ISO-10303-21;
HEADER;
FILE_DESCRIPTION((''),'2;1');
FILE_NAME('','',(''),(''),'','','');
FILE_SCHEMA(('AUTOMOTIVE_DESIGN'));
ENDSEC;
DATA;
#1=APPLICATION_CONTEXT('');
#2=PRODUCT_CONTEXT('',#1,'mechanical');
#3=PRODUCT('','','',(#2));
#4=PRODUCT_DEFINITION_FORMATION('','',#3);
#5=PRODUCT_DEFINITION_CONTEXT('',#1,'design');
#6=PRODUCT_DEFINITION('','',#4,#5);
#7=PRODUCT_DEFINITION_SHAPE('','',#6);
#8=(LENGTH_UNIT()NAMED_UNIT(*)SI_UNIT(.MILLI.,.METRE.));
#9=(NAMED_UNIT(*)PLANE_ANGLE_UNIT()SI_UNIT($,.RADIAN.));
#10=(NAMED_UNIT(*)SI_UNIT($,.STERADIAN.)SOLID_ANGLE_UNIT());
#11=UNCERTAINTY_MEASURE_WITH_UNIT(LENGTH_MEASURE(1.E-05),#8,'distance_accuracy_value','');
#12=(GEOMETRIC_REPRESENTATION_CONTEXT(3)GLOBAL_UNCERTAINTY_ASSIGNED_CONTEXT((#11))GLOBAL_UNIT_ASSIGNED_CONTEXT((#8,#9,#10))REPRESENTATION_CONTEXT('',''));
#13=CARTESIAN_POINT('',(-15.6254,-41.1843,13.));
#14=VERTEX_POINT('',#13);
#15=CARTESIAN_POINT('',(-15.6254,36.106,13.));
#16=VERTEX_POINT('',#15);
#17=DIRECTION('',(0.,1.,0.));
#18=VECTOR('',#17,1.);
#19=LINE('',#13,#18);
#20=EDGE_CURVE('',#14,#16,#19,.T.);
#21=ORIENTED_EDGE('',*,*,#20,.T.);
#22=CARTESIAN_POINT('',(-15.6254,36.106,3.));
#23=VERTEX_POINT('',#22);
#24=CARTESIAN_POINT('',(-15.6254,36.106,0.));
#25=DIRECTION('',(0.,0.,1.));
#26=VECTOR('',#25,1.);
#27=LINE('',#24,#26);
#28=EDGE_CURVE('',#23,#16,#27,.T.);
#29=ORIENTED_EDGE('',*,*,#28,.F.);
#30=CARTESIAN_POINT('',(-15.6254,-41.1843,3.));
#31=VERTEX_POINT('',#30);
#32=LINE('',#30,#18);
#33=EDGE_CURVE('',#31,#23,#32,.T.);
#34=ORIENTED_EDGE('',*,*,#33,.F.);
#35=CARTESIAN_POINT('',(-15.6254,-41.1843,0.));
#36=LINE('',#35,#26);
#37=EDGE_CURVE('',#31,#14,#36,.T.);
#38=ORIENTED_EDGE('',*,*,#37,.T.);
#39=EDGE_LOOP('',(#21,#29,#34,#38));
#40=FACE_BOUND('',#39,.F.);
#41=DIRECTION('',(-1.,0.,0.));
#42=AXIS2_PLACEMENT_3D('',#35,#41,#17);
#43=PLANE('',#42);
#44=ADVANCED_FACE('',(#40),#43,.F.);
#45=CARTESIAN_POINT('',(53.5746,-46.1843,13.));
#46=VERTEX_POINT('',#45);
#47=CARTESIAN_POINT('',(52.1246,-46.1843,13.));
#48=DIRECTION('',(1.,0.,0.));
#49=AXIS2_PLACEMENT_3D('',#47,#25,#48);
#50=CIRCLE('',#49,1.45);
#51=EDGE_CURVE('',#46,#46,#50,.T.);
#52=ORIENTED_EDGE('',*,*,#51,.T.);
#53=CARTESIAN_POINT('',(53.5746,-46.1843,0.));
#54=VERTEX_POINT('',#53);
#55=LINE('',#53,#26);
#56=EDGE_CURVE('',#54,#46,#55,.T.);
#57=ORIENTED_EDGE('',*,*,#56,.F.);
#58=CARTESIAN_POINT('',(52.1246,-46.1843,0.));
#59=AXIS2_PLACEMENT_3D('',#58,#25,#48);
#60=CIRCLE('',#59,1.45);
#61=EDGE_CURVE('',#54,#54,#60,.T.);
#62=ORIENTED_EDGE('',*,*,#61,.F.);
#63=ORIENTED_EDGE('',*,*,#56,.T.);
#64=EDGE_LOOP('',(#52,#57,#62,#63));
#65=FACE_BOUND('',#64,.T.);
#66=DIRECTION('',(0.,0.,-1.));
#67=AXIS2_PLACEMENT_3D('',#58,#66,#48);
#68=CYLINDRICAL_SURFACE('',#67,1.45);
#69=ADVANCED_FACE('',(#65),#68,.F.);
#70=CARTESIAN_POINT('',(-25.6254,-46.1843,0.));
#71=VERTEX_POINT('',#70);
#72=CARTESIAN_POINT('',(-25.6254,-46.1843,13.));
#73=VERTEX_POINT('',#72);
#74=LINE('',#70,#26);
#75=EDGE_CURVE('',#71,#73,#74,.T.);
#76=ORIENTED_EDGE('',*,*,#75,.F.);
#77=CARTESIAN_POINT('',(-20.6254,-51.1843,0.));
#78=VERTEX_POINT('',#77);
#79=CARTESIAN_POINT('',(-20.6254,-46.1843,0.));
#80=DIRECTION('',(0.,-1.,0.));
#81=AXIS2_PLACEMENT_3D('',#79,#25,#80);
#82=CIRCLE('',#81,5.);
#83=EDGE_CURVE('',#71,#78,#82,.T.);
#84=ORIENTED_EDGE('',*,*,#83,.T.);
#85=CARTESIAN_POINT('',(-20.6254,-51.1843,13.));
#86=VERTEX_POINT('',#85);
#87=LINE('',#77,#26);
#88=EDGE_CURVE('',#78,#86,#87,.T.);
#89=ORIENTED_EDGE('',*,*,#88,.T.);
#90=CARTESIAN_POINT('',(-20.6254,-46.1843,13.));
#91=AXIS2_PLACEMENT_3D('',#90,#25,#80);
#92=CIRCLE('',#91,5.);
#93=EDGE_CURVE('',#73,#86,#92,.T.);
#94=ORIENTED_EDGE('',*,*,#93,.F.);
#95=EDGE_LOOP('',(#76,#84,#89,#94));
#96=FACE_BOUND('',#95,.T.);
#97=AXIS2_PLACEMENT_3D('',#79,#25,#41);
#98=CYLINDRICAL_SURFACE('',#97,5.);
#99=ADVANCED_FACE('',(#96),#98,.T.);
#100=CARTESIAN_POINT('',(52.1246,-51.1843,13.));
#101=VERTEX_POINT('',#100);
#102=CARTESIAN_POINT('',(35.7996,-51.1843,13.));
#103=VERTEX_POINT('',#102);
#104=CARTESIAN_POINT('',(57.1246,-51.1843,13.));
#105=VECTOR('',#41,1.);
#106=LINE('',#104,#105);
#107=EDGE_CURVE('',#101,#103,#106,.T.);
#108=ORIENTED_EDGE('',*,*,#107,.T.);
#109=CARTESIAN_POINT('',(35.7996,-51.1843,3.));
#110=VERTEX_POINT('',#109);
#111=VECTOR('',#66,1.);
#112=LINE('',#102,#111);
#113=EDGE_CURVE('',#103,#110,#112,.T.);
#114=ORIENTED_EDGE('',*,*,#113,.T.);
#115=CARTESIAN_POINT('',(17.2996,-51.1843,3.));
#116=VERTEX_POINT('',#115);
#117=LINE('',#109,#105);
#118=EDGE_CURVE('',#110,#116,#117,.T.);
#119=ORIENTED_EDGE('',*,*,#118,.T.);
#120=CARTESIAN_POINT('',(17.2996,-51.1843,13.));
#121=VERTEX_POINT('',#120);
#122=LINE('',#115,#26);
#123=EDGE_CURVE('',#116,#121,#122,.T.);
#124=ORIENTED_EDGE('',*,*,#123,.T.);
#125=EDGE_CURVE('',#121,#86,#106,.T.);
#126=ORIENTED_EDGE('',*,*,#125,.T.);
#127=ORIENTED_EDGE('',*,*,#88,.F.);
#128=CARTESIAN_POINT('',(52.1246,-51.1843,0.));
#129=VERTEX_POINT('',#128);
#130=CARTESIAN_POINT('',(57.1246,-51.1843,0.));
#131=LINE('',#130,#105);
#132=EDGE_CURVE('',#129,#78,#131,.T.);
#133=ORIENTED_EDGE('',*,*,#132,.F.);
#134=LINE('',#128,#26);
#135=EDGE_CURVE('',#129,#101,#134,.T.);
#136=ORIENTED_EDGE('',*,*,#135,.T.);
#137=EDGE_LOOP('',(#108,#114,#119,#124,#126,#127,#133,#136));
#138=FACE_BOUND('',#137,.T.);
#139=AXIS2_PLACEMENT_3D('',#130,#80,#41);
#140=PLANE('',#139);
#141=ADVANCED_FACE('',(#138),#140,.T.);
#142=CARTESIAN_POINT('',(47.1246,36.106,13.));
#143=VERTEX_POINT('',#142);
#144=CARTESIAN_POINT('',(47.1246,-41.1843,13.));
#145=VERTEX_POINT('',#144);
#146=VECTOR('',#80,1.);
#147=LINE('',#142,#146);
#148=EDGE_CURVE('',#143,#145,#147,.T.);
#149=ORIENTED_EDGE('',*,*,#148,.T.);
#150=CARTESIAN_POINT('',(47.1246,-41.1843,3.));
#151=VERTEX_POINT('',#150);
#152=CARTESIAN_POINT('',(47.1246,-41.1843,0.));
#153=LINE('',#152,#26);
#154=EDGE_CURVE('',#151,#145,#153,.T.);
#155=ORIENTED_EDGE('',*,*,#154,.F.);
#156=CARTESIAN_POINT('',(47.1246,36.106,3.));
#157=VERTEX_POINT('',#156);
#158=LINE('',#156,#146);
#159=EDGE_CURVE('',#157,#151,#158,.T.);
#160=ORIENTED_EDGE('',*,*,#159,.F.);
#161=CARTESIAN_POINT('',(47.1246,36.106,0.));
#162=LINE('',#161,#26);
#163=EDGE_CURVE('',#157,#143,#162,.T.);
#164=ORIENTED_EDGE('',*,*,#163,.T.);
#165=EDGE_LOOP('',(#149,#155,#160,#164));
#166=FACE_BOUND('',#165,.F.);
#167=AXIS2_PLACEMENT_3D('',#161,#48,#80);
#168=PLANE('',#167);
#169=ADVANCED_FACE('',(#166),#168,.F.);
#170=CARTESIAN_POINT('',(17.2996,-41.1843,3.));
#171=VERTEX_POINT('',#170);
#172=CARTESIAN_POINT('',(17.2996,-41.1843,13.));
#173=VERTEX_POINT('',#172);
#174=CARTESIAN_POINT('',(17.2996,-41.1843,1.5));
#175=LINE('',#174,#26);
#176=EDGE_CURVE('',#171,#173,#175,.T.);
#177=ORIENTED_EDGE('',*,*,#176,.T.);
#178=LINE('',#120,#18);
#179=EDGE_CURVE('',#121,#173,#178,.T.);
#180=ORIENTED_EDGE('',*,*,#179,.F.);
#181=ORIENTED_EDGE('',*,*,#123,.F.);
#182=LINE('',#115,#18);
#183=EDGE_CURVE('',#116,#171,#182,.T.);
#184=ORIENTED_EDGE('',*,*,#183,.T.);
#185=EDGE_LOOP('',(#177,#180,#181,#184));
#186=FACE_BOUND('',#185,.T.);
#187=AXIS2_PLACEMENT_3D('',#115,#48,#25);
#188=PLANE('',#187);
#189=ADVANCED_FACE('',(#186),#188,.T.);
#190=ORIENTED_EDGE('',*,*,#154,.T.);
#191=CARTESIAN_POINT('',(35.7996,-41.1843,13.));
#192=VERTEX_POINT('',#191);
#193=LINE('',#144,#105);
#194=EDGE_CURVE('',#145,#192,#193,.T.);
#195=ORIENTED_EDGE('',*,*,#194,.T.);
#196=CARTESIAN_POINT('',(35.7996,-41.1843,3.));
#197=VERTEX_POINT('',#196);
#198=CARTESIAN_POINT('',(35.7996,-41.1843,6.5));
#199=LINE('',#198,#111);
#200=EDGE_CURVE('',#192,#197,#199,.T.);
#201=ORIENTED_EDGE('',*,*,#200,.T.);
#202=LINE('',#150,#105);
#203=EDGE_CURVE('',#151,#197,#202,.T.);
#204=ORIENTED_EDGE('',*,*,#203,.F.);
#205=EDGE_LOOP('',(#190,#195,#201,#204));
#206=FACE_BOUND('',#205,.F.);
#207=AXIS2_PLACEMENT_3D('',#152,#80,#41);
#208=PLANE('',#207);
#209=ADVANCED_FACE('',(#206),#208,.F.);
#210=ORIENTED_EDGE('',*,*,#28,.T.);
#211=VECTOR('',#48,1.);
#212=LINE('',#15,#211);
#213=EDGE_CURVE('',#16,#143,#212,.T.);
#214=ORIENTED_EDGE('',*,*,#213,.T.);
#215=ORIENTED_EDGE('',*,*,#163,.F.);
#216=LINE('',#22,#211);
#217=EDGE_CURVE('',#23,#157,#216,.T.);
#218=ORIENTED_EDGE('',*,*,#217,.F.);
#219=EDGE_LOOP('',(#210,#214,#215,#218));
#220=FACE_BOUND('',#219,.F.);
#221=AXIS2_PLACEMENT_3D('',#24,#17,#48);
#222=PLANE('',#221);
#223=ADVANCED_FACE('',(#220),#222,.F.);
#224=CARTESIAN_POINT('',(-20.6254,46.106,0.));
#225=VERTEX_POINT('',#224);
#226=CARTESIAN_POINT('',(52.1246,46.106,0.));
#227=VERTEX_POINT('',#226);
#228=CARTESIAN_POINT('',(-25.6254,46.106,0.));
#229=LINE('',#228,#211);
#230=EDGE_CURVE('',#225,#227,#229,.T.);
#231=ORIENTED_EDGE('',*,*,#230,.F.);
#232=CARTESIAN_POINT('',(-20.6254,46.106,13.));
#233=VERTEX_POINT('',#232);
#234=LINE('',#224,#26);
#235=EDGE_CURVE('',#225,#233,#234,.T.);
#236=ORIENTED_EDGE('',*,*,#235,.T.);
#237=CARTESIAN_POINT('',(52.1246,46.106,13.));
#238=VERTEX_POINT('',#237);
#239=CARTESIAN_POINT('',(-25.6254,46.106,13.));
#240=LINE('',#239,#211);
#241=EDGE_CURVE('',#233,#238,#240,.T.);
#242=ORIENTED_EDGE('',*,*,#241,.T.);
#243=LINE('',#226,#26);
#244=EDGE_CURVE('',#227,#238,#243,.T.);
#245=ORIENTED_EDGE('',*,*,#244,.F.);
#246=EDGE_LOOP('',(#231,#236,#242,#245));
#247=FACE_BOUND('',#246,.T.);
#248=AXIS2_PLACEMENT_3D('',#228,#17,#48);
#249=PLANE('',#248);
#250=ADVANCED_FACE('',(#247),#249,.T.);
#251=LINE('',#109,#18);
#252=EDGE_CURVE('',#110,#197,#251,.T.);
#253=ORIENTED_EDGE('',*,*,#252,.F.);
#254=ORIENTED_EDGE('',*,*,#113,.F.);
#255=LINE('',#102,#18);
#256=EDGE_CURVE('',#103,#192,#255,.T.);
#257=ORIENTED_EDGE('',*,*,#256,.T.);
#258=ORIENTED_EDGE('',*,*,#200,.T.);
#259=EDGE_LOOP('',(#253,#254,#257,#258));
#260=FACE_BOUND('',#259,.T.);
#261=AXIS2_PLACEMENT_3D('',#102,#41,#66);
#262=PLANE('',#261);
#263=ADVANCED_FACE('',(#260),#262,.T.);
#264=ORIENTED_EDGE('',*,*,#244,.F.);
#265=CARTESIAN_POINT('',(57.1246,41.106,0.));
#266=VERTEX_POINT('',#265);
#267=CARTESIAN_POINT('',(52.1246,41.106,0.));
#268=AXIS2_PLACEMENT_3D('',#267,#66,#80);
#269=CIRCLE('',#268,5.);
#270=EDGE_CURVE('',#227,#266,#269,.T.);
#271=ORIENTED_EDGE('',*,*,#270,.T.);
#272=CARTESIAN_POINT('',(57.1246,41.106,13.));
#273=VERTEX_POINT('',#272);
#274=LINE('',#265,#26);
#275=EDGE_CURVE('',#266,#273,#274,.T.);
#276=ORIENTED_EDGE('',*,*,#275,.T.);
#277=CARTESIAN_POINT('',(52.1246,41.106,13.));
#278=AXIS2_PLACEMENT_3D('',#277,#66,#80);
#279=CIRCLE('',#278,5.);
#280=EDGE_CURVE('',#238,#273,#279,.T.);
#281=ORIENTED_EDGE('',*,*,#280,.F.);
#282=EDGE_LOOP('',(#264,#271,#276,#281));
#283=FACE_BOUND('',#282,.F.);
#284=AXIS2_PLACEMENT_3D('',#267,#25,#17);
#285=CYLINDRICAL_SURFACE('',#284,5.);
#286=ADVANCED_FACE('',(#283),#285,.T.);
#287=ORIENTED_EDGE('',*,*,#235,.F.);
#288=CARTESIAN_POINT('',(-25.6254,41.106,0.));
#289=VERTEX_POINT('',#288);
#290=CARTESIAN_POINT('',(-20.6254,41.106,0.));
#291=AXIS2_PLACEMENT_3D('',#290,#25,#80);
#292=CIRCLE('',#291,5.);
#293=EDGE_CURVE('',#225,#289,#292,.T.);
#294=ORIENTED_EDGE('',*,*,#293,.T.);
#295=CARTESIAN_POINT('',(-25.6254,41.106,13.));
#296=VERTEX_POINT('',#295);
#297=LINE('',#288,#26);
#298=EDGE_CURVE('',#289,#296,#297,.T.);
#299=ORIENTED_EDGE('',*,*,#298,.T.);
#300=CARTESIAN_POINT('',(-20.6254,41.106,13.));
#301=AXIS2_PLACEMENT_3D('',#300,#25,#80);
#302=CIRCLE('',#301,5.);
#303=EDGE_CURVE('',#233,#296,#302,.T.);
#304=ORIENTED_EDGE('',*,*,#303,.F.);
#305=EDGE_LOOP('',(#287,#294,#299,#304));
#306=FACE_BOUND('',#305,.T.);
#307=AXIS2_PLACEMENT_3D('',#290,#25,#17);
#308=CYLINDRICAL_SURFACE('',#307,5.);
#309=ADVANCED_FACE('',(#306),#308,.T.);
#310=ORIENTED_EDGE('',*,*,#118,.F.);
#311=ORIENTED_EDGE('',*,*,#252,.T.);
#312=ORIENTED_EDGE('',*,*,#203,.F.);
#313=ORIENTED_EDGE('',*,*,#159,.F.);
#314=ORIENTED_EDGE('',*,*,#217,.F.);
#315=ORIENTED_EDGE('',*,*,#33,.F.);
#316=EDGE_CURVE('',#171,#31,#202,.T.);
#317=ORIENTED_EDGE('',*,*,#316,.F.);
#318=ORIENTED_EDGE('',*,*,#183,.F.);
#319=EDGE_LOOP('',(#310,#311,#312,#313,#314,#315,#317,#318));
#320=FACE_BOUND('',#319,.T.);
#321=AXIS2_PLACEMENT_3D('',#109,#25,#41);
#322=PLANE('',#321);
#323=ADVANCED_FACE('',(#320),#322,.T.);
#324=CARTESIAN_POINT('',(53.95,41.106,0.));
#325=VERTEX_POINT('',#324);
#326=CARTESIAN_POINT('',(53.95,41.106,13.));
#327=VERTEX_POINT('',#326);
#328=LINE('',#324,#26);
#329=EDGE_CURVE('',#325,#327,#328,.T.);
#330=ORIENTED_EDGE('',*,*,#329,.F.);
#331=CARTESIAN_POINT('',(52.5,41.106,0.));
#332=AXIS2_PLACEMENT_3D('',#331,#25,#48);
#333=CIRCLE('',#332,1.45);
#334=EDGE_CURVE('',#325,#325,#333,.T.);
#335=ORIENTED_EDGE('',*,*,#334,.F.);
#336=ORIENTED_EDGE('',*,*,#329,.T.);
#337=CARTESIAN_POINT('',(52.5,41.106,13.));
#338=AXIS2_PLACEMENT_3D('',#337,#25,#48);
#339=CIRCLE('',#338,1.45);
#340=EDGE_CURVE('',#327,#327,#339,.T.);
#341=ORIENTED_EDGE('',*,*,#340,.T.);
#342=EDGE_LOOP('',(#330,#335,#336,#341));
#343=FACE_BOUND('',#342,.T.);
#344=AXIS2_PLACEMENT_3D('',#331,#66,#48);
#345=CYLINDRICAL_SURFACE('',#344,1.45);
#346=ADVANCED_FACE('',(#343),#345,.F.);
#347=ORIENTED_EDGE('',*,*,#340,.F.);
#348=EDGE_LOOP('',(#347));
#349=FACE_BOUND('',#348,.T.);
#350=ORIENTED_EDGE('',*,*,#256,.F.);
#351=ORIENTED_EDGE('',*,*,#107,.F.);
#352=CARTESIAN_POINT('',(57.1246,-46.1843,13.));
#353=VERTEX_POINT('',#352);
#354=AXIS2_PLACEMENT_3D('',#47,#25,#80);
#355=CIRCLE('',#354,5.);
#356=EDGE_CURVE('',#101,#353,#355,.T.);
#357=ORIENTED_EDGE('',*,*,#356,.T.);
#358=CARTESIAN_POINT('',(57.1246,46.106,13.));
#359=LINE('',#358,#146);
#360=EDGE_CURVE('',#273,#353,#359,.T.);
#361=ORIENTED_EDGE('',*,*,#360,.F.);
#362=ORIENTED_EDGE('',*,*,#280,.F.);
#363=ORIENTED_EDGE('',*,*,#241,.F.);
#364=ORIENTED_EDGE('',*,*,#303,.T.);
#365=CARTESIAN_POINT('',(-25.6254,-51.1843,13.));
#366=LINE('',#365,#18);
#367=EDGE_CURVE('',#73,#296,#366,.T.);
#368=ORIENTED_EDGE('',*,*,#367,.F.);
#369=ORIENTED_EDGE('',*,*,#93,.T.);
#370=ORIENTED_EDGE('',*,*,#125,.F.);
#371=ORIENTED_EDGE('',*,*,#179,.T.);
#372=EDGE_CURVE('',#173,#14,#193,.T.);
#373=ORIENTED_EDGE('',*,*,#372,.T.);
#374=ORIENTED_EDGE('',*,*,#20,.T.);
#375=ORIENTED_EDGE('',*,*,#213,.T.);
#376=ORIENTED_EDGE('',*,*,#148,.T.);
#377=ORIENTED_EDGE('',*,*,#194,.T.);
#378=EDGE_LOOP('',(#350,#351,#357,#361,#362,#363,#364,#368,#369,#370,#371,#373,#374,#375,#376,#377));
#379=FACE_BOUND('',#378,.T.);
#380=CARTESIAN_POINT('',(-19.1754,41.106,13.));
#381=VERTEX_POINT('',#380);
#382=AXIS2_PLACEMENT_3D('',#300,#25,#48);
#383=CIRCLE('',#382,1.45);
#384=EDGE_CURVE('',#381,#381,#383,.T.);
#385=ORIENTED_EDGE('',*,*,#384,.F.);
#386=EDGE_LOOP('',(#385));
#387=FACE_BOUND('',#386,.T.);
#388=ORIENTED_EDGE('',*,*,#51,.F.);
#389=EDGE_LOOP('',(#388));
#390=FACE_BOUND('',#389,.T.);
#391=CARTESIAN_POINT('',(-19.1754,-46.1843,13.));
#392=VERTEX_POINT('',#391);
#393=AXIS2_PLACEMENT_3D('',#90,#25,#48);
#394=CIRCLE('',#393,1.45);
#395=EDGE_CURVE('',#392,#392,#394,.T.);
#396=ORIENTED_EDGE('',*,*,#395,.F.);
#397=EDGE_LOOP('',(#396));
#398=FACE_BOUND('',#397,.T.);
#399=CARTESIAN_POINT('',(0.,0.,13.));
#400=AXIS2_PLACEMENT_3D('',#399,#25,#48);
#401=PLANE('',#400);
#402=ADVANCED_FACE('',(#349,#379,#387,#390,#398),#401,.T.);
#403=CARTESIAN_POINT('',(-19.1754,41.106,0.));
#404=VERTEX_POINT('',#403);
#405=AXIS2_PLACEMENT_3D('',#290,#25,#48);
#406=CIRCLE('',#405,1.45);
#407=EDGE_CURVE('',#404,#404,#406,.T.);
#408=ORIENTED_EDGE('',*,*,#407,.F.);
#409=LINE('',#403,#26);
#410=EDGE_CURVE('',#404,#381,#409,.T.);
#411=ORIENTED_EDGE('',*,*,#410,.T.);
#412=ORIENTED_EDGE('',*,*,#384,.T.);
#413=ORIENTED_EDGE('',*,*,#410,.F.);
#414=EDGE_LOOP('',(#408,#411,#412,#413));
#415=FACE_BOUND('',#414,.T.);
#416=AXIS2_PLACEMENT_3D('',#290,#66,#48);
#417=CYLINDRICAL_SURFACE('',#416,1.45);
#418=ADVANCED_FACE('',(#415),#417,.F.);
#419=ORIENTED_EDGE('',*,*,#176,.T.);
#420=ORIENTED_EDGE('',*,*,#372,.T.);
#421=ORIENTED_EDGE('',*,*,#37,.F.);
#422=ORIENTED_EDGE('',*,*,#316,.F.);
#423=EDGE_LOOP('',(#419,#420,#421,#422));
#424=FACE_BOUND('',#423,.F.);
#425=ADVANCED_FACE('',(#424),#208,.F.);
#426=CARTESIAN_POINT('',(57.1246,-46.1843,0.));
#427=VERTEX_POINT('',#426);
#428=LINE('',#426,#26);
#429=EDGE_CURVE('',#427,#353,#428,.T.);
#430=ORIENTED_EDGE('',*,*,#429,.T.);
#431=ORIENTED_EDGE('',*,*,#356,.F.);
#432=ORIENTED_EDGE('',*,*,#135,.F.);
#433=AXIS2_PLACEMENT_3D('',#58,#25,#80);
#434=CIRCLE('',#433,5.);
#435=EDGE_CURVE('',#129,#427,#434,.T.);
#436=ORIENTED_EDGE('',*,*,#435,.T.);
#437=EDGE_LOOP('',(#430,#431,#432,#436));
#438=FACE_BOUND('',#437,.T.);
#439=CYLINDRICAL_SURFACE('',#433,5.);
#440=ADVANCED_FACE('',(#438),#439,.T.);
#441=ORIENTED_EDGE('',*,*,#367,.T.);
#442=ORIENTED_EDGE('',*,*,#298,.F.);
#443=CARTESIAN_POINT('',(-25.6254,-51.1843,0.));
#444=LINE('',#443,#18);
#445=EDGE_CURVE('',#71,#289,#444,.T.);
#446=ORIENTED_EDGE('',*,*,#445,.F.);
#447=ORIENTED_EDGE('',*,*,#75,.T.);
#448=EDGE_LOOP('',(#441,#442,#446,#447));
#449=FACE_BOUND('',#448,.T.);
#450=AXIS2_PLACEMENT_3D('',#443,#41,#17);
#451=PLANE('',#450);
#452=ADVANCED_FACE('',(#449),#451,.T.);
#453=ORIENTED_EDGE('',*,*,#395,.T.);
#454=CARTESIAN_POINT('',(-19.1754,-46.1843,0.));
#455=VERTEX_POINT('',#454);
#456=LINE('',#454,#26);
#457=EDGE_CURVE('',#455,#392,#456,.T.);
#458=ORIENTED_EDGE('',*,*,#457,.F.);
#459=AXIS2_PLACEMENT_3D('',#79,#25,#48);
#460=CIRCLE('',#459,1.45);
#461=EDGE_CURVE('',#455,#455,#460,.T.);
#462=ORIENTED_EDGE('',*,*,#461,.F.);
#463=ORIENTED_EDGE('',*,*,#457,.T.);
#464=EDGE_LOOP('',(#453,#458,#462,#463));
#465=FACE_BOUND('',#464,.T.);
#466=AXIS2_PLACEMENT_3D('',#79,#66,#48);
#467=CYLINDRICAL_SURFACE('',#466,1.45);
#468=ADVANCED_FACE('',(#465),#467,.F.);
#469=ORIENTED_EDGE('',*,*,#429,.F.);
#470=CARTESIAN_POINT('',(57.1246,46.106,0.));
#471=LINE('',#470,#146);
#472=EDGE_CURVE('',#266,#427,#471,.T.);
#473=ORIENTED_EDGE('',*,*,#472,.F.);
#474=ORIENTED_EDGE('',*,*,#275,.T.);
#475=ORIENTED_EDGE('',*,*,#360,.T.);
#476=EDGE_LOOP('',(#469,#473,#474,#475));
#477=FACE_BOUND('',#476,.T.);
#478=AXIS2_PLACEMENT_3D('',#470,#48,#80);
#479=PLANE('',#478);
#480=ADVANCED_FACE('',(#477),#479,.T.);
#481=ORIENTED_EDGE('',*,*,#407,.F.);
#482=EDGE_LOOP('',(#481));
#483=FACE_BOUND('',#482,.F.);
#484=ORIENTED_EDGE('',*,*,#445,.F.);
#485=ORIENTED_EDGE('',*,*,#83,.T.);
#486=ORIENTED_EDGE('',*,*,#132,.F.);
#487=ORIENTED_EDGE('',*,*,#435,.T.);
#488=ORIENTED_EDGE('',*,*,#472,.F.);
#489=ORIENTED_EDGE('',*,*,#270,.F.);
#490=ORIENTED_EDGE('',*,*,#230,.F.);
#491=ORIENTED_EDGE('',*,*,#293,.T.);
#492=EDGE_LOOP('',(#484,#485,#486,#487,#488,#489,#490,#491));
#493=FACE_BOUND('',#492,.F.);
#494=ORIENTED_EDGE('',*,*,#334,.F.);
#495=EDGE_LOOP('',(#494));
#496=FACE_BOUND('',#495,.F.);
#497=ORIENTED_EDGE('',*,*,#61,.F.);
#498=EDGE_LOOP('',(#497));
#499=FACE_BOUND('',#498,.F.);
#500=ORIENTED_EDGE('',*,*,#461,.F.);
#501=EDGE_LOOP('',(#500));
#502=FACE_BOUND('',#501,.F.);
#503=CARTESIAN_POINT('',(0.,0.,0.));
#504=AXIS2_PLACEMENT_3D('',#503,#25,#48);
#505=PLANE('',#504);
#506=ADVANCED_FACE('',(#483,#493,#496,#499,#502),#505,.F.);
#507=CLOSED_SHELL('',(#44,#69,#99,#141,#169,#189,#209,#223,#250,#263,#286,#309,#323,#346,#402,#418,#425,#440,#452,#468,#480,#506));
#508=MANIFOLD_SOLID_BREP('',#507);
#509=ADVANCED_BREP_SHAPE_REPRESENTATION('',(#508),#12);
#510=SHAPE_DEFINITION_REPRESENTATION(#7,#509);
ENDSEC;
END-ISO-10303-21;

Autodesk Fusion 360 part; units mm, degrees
sketch "Sketch1" plane through (0, 0, 0) normal (0, 0, 1) x (1, 0, 0)
  line L0 (-15.6254, 36.106) -> (47.1246, 36.106)
  line L1 (47.1246, 36.106) -> (47.1246, -41.1843)
  line L2 (47.1246, -41.1843) -> (-15.6254, -41.1843)
  line L3 (-15.6254, -41.1843) -> (-15.6254, 36.106)
  line L4 (-25.6254, 46.106) -> (57.1246, 46.106)
  line L5 (57.1246, 46.106) -> (57.1246, -51.1843)
  line L6 (57.1246, -51.1843) -> (-25.6254, -51.1843)
  line L7 (-25.6254, -51.1843) -> (-25.6254, 46.106)
  circle A0 centre (-20.6254, 41.106) radius 1.45
  circle A1 centre (52.5, 41.106) radius 1.45
  circle A2 centre (52.1246, -46.1843) radius 1.45
  circle A3 centre (-20.6254, -46.1843) radius 1.45
  dimension "d1" = 77.2903
  dimension "d2" = 62.75
  dimension "d3" = 10
  dimension "d4" = 10
  dimension "d5" = 10
  dimension "d6" = 10
  dimension "d7" = 2.9
  dimension "d8" = 5
  dimension "d9" = 5
  dimension "d10" = 2.9
  dimension "d11" = 2.9
  dimension "d12" = 2.9
  dimension "d13" = 5
  dimension "d14" = 5
  dimension "d15" = 5
  dimension "d16" = 5
  dimension "d17" = 5
extrude "Extrude3" add sketch "Sketch1" along normal blind 3 contours L0 L1 L2 L3
extrude "Extrude4" add sketch "Sketch1" along normal blind 13
sketch "Sketch3" plane through (0, -51.1843, 0) normal (0, -1, 0) x (1, 0, 0)
  line L0 (-25.6254, 0) -> (57.1246, 0)
  line L1 (57.1246, 0) -> (57.1246, 13)
  line L2 (57.1246, 13) -> (-25.6254, 13)
  line L3 (-25.6254, 13) -> (-25.6254, 0)
  line L4 (17.2996, 13) -> (35.7996, 13)
  line L5 (35.7996, 13) -> (35.7996, 3)
  line L6 (35.7996, 3) -> (17.2996, 3)
  line L7 (17.2996, 3) -> (17.2996, 13)
  dimension "d26" = 21.325
  dimension "d27" = 18.5
extrude "Extrude5" cut sketch "Sketch3" against normal blind 13 contours L2 L4 L5 L6 L7
fillet "Fillet1" radius 5 4 edges at (57.1246, 46.106, 6.5) (-25.6254, 46.106, 6.5) (-25.6254, -51.1843, 6.5) (57.1246, -51.1843, 6.5)
extrude "Extrude1" [suppressed]
extrude "Extrude2" [suppressed]
